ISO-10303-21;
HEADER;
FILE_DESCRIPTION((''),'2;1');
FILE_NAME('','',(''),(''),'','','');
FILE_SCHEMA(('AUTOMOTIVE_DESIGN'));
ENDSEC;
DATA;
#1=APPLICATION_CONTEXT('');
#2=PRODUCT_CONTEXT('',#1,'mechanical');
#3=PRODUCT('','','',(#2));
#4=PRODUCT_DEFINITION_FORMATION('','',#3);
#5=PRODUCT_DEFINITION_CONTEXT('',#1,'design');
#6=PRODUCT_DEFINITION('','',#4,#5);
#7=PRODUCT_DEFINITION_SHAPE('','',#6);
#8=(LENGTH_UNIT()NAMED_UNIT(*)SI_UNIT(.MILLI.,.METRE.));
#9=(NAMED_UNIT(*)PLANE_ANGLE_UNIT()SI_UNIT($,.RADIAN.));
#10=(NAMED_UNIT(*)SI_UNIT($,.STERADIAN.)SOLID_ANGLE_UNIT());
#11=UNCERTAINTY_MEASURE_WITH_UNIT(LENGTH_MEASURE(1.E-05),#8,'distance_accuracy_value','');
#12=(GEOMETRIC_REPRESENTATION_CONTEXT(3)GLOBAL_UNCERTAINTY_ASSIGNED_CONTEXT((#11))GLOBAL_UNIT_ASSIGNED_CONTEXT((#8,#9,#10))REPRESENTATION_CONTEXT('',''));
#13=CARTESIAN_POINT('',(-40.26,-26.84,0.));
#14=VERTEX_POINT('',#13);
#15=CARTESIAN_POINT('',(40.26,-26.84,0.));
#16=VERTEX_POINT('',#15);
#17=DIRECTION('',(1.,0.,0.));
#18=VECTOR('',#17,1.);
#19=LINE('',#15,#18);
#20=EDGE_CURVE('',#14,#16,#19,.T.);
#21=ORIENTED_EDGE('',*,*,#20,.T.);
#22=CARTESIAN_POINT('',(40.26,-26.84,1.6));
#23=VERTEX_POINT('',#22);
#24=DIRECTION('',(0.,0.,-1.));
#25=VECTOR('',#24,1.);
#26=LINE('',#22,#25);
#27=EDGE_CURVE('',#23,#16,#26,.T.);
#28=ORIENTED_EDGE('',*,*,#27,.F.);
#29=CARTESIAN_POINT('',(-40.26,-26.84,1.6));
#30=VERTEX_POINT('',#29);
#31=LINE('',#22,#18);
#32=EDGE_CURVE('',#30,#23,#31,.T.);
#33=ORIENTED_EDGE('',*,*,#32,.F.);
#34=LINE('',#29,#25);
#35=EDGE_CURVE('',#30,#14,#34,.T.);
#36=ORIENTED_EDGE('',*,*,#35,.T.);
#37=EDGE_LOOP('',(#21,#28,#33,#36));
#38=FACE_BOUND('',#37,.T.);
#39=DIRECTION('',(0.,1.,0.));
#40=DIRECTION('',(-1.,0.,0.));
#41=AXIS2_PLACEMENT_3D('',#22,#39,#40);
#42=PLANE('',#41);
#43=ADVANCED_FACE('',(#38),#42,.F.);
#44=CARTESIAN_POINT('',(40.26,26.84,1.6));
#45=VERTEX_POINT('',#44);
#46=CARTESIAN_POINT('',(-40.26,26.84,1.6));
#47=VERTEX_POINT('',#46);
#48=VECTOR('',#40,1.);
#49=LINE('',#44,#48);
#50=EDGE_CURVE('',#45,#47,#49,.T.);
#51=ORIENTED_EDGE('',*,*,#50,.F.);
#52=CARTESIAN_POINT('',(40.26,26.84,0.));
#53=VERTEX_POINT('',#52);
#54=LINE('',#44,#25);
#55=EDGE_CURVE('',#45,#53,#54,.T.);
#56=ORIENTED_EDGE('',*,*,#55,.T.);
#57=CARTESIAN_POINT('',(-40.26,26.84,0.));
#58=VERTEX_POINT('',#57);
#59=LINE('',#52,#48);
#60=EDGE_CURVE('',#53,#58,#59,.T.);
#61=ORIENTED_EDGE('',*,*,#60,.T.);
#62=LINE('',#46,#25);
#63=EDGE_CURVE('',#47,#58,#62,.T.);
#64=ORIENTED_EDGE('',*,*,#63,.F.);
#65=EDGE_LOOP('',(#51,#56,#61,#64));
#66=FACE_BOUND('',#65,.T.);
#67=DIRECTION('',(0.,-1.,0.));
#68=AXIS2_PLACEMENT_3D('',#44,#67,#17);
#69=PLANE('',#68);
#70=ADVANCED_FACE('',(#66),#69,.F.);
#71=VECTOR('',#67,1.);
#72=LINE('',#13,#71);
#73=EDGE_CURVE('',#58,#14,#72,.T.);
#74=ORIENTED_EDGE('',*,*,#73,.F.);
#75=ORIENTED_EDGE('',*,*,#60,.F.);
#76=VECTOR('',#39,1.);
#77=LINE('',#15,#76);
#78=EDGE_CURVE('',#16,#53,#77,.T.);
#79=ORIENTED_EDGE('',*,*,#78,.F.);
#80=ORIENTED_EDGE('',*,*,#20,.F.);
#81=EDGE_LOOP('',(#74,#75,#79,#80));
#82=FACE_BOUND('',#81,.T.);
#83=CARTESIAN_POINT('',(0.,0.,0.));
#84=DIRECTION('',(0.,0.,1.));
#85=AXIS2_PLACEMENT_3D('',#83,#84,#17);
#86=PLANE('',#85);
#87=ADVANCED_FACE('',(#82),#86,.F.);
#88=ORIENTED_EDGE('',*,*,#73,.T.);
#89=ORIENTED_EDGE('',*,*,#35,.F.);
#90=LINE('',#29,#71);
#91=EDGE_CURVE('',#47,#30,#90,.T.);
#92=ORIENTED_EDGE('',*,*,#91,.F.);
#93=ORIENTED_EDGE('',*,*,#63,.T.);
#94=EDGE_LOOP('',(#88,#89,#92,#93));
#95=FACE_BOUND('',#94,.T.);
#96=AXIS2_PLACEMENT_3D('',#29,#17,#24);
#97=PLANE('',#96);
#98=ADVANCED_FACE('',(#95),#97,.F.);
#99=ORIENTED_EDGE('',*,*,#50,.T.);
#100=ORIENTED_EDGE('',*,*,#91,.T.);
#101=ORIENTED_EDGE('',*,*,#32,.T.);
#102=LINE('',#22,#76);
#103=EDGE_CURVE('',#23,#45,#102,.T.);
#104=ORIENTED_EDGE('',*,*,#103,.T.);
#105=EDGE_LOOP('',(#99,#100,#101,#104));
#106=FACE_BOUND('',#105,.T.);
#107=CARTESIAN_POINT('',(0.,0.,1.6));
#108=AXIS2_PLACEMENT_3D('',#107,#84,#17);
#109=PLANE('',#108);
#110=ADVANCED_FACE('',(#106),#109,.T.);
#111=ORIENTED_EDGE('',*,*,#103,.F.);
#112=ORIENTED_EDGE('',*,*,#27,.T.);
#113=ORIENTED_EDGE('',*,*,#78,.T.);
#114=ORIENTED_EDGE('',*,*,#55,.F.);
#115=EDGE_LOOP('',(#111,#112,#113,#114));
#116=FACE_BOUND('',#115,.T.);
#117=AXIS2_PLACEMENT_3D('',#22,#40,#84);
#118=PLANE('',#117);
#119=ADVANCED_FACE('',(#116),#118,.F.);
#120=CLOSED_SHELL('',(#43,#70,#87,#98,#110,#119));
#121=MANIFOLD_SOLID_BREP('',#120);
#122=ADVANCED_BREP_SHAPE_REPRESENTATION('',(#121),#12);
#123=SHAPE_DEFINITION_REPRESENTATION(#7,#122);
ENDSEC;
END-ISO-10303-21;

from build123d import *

# Parameters (mm, degrees)
SKETCH1_W           = 80.52
SKETCH1_H           = 53.68
BOSS_EXTRUDE1_DEPTH = 1.6


with BuildPart() as part:
    # Sketch1 → Boss-Extrude1 (new body)
    with BuildSketch(Plane.XY):
        Rectangle(SKETCH1_W, SKETCH1_H)
    extrude(amount=BOSS_EXTRUDE1_DEPTH)


solid = part.part
